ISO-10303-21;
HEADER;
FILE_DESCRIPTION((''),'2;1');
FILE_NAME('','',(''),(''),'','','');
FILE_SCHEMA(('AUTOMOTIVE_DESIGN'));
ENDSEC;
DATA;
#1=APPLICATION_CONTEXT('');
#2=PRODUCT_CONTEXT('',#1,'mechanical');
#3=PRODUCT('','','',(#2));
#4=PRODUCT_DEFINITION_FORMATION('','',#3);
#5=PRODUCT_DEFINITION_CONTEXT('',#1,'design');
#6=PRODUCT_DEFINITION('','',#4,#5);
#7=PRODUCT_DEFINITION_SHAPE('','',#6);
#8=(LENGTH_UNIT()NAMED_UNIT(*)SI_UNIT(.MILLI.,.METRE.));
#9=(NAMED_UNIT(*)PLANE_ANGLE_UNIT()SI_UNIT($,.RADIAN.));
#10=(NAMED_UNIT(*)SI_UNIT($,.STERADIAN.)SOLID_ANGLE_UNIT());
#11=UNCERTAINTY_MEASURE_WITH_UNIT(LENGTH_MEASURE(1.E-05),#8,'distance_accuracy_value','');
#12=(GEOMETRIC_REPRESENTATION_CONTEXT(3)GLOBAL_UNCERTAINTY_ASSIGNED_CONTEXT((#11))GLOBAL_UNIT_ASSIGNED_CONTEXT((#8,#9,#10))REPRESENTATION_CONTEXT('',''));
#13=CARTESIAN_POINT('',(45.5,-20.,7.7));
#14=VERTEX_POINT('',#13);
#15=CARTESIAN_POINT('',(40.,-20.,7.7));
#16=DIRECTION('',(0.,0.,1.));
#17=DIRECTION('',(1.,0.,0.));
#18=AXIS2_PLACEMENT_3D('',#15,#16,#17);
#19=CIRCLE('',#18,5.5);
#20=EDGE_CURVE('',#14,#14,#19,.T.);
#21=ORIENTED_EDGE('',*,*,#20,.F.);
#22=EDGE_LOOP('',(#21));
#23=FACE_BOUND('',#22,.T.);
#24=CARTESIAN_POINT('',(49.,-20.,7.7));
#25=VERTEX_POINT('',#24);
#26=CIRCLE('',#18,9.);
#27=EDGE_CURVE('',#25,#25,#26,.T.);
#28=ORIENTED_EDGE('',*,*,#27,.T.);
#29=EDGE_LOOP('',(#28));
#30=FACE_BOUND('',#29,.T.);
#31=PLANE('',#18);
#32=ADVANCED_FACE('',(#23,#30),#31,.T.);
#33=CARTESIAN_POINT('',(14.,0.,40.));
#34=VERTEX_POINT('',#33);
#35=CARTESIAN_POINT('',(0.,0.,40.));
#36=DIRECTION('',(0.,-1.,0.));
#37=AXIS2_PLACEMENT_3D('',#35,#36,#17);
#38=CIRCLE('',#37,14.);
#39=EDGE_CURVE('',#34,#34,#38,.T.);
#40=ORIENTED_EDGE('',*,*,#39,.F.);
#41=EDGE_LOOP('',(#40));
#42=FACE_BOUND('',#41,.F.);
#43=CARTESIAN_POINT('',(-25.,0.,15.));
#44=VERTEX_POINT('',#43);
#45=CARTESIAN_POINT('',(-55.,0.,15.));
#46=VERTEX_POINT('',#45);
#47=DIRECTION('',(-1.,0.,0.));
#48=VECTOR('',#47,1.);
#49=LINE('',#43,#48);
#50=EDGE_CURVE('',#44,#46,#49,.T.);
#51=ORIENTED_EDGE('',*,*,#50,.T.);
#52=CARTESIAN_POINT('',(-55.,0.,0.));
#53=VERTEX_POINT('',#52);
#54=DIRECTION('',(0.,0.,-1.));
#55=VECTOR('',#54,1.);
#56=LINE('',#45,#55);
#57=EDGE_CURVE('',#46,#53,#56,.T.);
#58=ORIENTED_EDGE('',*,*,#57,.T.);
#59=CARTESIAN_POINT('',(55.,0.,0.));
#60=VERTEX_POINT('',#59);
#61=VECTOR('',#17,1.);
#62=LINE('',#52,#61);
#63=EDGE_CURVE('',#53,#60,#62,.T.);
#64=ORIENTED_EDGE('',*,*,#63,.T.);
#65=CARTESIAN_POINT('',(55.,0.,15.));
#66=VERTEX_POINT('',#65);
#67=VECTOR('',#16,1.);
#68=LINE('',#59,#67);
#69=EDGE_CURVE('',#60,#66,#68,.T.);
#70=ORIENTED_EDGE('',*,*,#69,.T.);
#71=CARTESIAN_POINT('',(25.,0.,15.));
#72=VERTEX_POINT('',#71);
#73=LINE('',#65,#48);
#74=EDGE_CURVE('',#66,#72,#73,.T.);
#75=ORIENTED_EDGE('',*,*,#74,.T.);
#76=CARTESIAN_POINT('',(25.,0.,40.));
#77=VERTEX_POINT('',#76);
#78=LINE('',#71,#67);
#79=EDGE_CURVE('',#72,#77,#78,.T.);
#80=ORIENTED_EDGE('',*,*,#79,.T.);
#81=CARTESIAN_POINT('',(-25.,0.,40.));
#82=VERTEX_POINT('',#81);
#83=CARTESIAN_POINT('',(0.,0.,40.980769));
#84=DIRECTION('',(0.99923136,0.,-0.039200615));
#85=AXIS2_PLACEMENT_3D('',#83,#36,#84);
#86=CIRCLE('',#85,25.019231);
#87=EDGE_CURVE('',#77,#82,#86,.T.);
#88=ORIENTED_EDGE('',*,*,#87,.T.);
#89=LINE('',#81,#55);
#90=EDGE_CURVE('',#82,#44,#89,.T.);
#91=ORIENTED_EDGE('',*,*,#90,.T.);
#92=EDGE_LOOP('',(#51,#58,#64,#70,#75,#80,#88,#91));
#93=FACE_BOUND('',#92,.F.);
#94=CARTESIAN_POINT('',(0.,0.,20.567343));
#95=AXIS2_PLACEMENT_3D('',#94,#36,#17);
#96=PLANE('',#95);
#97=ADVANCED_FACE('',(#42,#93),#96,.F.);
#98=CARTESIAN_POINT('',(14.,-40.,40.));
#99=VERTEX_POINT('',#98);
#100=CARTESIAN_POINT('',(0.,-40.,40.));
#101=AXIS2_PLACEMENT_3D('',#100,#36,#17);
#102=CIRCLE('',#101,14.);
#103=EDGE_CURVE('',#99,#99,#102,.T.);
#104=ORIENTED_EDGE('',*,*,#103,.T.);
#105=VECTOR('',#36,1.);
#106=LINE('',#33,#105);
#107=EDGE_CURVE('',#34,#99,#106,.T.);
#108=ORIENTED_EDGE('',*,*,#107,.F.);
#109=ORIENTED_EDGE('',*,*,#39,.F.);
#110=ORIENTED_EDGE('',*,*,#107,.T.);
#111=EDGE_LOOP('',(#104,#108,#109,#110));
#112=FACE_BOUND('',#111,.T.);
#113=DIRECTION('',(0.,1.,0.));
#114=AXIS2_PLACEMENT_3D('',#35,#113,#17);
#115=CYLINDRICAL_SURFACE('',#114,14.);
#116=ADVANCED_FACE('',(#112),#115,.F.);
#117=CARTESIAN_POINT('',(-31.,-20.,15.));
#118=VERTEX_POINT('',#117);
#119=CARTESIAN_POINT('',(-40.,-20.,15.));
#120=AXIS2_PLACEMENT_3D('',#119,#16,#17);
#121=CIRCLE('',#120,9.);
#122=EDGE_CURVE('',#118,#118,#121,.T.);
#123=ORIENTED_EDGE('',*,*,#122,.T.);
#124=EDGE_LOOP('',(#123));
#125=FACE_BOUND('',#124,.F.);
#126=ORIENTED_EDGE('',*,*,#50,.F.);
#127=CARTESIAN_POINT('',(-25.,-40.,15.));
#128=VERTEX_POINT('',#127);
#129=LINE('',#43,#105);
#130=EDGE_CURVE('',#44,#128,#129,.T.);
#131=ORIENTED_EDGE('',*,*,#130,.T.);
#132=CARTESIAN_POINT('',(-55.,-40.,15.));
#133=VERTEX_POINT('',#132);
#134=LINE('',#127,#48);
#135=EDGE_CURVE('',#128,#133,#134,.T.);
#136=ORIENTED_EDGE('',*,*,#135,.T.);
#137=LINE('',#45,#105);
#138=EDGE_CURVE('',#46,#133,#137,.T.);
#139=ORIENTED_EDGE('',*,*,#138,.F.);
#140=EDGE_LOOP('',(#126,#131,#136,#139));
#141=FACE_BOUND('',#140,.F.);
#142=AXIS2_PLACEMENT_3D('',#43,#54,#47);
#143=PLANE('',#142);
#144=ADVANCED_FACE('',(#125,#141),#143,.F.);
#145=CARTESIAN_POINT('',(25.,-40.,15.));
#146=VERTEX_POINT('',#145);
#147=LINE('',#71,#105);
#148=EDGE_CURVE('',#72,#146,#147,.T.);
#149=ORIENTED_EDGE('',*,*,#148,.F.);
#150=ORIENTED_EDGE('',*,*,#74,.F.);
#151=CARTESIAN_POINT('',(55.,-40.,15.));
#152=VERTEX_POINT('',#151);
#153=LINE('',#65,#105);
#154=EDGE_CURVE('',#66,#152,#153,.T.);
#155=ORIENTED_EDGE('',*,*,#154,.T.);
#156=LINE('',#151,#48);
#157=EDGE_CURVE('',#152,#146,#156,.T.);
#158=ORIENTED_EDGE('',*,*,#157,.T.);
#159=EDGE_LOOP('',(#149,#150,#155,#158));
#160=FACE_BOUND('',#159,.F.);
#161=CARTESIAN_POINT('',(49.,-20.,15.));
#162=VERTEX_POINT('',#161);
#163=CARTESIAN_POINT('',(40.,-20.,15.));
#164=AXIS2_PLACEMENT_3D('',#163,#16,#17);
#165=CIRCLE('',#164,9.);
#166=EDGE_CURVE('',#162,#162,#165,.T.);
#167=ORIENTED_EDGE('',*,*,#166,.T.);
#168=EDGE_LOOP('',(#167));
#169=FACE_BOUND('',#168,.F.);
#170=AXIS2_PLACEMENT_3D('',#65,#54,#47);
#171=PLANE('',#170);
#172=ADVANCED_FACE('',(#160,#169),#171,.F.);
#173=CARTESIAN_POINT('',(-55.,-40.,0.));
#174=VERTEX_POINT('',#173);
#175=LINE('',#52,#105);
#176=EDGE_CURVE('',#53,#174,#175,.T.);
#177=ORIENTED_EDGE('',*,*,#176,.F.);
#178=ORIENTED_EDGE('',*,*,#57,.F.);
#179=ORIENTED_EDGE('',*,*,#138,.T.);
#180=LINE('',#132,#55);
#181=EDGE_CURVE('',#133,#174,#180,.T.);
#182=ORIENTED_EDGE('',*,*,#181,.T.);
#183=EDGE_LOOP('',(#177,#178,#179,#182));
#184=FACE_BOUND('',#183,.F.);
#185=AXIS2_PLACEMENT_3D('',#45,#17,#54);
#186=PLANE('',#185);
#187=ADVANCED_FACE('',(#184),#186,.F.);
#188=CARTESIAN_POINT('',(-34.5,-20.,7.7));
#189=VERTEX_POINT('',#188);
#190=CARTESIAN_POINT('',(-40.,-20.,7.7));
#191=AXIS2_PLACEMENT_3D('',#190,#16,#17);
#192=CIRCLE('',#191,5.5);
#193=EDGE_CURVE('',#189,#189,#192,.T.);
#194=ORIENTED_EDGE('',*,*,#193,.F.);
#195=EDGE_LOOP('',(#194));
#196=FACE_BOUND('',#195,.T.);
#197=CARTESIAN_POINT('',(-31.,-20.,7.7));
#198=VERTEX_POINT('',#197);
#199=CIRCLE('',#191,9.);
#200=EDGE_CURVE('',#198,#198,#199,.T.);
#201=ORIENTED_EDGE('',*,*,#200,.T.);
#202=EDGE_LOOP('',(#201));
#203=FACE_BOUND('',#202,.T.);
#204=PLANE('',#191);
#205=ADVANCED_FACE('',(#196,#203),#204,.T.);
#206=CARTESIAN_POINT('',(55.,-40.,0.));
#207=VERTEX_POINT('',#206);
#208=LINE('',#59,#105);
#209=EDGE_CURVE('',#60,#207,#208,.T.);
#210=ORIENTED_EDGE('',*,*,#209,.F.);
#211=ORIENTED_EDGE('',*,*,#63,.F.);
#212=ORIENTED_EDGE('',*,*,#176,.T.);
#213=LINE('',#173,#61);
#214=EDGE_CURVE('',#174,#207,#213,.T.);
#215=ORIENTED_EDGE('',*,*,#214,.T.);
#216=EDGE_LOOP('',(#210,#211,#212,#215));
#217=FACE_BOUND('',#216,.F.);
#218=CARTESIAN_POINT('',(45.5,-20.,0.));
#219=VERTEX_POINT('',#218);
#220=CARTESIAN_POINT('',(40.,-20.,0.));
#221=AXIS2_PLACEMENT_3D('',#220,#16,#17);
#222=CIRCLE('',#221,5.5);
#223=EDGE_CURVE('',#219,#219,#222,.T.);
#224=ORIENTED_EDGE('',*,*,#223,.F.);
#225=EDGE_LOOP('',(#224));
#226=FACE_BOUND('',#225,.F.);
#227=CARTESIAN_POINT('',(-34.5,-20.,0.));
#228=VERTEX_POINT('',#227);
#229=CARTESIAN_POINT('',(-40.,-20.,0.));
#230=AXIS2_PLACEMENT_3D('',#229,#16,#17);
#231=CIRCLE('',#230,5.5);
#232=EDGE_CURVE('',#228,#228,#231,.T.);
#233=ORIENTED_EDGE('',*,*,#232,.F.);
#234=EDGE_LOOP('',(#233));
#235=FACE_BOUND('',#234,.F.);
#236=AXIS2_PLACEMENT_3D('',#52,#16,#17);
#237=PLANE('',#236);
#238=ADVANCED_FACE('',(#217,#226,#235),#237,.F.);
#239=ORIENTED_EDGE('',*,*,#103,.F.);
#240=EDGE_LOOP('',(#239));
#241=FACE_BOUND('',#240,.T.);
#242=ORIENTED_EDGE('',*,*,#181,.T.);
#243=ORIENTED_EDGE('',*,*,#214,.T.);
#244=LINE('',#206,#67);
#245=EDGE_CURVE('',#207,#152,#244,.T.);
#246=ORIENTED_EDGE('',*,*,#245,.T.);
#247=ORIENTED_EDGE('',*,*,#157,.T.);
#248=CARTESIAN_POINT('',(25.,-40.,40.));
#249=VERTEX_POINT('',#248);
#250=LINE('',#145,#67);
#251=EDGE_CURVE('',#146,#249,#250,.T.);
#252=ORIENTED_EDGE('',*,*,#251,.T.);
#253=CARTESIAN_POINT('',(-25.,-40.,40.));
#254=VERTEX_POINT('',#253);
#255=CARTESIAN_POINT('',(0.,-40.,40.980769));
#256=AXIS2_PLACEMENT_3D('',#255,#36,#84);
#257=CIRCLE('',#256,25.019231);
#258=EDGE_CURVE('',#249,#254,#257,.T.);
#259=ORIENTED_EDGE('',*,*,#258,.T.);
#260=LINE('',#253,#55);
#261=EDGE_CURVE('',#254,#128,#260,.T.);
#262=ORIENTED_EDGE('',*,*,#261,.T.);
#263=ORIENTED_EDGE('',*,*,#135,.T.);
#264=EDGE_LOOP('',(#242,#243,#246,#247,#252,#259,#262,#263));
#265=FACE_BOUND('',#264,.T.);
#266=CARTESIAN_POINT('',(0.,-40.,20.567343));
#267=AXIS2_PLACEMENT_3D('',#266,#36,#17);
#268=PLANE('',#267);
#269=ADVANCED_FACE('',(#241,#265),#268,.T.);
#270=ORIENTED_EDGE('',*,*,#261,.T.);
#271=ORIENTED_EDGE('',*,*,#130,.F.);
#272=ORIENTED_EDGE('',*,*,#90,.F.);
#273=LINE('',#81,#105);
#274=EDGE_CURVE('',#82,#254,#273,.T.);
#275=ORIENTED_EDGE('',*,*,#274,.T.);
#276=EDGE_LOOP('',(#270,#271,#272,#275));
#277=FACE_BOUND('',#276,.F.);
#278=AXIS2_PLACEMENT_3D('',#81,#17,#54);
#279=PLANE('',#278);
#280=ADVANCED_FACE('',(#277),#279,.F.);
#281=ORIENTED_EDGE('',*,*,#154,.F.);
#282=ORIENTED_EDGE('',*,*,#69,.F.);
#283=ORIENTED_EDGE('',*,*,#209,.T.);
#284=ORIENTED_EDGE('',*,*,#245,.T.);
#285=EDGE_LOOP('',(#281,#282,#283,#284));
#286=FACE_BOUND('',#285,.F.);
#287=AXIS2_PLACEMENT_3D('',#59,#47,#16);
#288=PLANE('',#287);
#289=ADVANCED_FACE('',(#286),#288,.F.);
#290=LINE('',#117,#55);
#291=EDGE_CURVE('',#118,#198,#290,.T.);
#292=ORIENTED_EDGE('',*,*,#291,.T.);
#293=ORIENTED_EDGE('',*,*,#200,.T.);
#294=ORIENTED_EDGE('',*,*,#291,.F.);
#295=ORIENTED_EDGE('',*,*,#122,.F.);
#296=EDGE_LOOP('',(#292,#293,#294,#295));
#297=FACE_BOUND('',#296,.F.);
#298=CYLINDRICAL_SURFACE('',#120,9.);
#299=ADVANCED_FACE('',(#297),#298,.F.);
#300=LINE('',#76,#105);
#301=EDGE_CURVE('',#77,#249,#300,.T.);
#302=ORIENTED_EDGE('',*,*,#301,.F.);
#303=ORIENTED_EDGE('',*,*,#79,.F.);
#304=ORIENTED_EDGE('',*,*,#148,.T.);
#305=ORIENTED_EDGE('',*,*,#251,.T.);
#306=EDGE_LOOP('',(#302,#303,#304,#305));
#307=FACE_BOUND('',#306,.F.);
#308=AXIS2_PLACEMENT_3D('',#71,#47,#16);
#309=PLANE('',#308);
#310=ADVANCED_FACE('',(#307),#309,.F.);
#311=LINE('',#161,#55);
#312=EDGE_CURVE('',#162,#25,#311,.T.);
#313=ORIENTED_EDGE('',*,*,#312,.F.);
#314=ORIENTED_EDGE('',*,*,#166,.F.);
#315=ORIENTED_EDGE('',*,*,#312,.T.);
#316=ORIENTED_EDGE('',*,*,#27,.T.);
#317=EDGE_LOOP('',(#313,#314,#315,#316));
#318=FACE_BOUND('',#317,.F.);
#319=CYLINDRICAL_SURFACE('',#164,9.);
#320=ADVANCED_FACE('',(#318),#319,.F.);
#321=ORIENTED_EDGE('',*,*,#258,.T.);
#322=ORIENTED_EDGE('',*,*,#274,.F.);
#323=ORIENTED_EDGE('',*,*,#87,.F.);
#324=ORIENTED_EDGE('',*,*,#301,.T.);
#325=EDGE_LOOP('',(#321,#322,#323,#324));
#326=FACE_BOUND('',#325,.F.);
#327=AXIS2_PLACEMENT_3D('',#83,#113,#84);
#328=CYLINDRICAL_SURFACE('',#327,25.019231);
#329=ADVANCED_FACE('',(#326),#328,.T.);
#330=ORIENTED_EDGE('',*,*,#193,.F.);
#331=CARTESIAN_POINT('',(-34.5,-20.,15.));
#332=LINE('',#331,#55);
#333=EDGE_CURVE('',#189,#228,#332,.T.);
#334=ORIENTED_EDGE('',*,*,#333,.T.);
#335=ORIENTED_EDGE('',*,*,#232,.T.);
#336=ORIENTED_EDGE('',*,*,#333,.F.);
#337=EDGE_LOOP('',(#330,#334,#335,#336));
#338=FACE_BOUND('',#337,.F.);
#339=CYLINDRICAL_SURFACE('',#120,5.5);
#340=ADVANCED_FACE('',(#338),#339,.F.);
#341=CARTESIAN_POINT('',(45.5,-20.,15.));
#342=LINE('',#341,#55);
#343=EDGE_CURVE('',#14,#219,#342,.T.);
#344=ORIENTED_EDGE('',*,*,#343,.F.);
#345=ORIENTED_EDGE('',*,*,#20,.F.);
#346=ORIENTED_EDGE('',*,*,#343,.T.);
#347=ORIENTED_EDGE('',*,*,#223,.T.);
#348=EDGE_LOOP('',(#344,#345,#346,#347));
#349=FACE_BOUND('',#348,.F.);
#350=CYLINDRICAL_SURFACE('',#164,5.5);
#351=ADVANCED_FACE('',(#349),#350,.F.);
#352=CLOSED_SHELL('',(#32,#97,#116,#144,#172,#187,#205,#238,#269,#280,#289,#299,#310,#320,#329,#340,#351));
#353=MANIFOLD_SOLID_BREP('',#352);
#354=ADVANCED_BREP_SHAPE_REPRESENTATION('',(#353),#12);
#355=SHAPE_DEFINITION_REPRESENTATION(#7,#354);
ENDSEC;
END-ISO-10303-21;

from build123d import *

# Parameters (mm, degrees)
F0_R     = 14
F1_DEPTH = 40
F2_R     = 5.5
F3_DEPTH = 15
F2_R_2   = 9
F4_DEPTH = 7.3


with BuildPart() as f1:
    # F0 (on Front) → F1 (new body)
    with BuildSketch(Plane.XZ):
        with BuildLine():
            Line((-55, 0), (0, 0))
            Line((0, 0), (55, 0))
            Line((55, 0), (55, 15))
            Line((55, 15), (25, 15))
            Line((25, 15), (25, 40))
            ThreePointArc((25, 40), (0, 66), (-25, 40))
            Line((-25, 40), (-25, 15))
            Line((-25, 15), (-55, 15))
            Line((-55, 15), (-55, 0))
        make_face()
        with Locations((0, 40)):
            Circle(F0_R, mode=Mode.SUBTRACT)
    extrude(amount=F1_DEPTH)

    # F2 (on face) → F3 (cut)
    with BuildSketch(Plane.XY.offset(15)):
        with Locations((40, -20)):
            Circle(F2_R)
        with Locations((-40, -20)):
            Circle(F2_R)
    extrude(amount=-F3_DEPTH, mode=Mode.SUBTRACT)

    # F2 (on face) → F4 (cut)
    with BuildSketch(Plane.XY.offset(15)):
        with Locations((40, -20)):
            Circle(F2_R_2)
        with Locations((40, -20)):
            Circle(F2_R, mode=Mode.SUBTRACT)
        with Locations((-40, -20)):
            Circle(F2_R_2)
        with Locations((-40, -20)):
            Circle(F2_R, mode=Mode.SUBTRACT)
    extrude(amount=-F4_DEPTH, mode=Mode.SUBTRACT)


solid = f1.part
